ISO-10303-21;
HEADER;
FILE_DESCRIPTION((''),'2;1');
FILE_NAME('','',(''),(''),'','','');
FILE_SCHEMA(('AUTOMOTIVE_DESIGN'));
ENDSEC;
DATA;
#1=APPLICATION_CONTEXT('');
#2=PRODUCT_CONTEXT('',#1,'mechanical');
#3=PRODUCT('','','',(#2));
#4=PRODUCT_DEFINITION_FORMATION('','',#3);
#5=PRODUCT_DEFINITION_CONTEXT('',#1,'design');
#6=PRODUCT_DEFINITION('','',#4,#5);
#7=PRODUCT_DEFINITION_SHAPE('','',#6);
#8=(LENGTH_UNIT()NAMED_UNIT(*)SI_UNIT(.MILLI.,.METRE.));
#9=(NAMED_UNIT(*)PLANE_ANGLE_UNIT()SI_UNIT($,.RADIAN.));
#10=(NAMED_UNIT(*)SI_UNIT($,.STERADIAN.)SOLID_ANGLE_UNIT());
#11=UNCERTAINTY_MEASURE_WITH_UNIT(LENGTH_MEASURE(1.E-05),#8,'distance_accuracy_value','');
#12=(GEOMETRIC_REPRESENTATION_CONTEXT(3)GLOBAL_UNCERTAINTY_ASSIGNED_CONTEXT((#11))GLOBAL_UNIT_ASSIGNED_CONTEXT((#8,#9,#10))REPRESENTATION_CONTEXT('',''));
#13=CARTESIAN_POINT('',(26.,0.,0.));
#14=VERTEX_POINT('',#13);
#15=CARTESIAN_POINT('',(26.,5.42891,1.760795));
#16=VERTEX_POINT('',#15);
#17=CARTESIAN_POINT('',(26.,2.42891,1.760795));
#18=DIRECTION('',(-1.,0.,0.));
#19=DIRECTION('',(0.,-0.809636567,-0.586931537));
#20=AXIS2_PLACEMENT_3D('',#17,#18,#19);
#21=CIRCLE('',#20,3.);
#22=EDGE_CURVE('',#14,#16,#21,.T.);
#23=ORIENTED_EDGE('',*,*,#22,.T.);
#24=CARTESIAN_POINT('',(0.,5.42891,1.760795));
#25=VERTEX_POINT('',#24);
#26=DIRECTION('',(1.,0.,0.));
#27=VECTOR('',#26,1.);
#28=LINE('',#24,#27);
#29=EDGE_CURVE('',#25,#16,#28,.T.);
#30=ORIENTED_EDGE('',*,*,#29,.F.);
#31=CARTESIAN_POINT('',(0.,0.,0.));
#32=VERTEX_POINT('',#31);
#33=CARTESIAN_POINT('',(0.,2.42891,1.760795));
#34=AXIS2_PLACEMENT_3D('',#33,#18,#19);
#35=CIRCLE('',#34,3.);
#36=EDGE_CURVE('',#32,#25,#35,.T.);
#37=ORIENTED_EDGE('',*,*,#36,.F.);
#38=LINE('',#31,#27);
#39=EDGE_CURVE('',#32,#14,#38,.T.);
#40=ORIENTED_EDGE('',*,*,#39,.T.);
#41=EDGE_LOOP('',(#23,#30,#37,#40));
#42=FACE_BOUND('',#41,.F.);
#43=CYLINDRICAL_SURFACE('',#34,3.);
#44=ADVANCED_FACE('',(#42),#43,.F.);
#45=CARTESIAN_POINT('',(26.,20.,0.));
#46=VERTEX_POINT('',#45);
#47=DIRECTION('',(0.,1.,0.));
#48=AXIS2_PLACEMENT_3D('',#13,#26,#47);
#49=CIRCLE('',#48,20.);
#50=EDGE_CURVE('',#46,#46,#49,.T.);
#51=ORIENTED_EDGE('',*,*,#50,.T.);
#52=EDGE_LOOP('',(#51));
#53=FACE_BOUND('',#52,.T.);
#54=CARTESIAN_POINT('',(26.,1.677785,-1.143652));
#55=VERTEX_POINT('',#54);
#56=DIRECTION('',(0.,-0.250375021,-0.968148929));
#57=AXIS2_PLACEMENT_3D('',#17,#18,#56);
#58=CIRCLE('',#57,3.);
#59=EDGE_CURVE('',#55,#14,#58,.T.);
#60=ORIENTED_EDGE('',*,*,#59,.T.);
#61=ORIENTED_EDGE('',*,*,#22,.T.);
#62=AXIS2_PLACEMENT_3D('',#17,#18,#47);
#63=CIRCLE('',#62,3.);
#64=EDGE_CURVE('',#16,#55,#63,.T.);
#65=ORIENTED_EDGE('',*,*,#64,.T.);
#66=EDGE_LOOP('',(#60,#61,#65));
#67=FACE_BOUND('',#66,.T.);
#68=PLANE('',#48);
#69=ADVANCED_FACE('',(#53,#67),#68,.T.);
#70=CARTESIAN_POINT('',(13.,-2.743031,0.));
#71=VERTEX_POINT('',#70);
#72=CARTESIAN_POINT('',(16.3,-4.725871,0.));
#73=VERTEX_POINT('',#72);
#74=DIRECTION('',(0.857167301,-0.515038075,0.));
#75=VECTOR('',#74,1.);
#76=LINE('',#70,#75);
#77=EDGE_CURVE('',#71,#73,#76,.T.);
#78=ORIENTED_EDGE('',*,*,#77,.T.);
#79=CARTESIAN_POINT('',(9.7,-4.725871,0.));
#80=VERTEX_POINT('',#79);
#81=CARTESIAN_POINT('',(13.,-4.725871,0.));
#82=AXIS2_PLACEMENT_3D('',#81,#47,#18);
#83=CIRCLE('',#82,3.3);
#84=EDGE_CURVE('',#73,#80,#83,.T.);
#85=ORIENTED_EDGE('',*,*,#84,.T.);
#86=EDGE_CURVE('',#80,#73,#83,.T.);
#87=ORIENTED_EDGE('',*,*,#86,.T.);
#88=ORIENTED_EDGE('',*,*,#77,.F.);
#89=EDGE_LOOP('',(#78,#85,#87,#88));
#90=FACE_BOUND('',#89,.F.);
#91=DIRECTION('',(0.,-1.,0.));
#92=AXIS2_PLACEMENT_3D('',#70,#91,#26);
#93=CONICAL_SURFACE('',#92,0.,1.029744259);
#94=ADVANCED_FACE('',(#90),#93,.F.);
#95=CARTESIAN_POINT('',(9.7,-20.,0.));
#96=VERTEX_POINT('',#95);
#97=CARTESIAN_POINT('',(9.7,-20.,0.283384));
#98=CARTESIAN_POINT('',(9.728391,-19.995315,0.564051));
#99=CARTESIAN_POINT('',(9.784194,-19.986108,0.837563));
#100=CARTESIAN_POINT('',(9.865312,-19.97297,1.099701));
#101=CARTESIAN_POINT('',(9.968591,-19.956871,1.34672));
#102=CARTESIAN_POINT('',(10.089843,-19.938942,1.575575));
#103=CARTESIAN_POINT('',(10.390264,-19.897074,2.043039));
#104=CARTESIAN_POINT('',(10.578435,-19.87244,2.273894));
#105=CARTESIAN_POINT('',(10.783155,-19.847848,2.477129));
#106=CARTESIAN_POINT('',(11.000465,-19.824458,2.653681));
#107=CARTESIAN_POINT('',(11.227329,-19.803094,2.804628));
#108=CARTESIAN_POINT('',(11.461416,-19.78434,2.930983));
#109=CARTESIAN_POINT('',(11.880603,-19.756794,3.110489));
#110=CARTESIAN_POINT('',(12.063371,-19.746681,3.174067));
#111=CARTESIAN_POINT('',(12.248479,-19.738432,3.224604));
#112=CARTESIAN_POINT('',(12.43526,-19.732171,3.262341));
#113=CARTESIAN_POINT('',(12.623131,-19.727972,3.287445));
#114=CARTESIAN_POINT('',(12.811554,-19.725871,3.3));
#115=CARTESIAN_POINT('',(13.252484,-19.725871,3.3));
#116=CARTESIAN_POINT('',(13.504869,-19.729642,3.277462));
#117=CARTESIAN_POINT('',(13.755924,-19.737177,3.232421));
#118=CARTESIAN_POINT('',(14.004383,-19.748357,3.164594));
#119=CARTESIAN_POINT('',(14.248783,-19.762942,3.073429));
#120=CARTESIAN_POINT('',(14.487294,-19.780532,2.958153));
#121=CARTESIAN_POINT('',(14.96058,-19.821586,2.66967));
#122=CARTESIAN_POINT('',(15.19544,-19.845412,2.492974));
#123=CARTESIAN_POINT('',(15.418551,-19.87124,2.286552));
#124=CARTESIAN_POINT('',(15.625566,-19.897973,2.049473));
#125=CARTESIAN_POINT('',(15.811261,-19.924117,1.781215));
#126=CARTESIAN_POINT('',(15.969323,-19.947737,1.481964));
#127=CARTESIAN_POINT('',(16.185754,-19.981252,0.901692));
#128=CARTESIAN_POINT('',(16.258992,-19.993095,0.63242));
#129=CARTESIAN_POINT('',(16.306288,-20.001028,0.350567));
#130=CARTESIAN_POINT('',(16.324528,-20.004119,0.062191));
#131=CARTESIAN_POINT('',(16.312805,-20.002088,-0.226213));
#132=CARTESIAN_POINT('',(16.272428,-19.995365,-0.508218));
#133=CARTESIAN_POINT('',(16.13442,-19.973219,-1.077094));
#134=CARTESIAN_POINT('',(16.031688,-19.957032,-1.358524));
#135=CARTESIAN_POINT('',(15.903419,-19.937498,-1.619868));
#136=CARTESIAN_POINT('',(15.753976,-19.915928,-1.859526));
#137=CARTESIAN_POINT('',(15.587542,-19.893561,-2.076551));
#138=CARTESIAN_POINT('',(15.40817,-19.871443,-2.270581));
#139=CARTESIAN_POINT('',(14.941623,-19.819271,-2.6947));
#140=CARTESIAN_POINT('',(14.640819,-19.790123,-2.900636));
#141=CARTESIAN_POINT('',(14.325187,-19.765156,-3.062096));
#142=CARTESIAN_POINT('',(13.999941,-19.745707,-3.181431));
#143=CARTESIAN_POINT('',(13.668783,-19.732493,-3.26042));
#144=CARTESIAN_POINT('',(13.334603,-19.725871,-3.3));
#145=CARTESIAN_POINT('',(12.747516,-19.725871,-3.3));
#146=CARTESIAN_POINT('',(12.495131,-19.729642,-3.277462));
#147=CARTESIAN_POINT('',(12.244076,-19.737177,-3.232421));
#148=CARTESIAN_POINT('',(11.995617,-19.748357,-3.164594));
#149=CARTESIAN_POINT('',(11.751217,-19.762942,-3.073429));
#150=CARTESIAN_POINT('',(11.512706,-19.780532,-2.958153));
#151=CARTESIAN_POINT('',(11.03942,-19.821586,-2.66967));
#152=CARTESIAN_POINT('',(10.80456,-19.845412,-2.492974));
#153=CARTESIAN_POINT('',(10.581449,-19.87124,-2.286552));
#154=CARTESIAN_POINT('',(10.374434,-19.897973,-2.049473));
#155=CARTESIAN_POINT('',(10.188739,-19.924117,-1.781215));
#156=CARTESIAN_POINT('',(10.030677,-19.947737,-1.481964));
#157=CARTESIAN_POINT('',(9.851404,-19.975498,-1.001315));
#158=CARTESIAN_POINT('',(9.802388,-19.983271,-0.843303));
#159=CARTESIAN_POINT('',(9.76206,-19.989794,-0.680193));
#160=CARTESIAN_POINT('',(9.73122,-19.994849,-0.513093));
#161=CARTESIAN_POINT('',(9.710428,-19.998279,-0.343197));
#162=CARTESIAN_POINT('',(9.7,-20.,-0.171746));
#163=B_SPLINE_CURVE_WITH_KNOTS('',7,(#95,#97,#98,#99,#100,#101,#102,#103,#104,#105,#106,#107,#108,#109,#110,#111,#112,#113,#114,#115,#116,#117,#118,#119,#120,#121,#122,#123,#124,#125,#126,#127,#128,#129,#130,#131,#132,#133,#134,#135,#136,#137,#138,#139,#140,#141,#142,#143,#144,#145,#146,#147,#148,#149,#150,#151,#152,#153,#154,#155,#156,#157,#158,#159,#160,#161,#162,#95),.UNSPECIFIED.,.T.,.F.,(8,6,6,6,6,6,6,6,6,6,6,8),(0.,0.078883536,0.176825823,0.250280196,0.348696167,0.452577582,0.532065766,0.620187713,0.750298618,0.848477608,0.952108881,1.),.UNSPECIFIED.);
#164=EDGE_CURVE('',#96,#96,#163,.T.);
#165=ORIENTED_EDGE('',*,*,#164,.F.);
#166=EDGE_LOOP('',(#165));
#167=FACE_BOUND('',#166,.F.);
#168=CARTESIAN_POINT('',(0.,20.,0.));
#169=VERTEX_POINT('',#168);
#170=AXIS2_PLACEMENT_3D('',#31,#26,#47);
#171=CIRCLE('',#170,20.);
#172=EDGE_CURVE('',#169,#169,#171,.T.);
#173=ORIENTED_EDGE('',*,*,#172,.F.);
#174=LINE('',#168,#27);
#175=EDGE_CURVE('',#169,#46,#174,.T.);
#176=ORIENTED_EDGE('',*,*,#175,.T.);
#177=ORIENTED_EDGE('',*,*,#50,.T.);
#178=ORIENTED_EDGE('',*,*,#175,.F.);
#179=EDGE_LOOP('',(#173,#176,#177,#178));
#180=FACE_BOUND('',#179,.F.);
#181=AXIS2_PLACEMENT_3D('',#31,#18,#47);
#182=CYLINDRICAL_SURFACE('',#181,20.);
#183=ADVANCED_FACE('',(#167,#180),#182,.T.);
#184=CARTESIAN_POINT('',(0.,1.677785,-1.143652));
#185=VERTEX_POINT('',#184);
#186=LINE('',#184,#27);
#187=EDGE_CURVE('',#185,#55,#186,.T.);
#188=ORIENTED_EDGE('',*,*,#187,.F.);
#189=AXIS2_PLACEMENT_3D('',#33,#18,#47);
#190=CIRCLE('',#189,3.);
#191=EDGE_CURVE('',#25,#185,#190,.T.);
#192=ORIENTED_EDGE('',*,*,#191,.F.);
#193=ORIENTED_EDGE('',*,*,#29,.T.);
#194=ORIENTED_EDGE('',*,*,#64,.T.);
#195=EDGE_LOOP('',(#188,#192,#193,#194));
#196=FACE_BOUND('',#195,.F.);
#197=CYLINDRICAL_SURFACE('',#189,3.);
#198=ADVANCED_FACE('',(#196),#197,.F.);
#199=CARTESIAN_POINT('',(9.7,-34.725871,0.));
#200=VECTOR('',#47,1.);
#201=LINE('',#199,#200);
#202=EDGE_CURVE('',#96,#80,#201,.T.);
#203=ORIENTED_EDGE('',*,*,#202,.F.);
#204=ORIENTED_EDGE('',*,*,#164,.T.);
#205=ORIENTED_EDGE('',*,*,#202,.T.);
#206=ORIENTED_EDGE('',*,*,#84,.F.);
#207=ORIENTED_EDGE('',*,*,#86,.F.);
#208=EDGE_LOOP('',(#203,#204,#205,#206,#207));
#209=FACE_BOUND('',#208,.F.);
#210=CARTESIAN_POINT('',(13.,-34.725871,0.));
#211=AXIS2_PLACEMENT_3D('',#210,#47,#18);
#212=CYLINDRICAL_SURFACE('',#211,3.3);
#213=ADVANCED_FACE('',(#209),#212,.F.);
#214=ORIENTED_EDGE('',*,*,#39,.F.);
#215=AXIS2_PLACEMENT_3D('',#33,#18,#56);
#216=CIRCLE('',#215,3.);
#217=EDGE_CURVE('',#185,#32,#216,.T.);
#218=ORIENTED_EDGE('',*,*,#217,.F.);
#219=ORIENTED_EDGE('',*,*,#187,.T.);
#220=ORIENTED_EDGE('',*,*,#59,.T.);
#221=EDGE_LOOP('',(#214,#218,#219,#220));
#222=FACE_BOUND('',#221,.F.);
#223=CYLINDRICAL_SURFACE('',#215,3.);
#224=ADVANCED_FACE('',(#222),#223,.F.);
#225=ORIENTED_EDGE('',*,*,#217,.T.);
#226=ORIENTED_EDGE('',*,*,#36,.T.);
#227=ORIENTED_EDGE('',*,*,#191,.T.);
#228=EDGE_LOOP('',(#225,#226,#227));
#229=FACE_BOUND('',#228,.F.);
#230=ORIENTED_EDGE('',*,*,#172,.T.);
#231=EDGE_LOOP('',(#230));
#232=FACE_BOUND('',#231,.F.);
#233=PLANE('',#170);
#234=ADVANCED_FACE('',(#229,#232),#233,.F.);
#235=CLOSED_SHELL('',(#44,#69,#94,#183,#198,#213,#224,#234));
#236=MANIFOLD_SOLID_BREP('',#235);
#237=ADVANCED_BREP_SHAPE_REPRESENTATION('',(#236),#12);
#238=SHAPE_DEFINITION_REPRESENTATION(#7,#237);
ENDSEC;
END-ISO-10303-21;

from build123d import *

# Parameters (mm, degrees)
F1_DEPTH = 26
F4_D     = 6.6
F4_DEPTH = 15
F4_START = 0.2741288
F4_TIP   = 1.9828400428


with BuildPart() as f1:
    # F0 (on Right) → F1 (new body)
    with BuildSketch(Plane.YZ):
        with BuildLine():
            ThreePointArc((-20, 0), (0, -20), (20, 0))
            ThreePointArc((20, 0), (0, 20), (-20, 0))
        make_face()
        with BuildLine():
            ThreePointArc((1.6777846361, -1.1436521746), (0.7391936443, -0.7180881299), (0, 0))
            ThreePointArc((0, 0), (1.503363673, 4.6144527121), (5.4289097006, 1.7607946122))
            ThreePointArc((5.4289097006, 1.7607946122), (4.2655676446, -0.6112693828), (1.6777846361, -1.1436521746))
        make_face(mode=Mode.SUBTRACT)
    extrude(amount=F1_DEPTH)

    # F4
    # its depths count from where the whole tool has entered the part; down to there all is cleared
    with Locations(Plane.XZ.offset(20).offset(-F4_START)):
        with Locations((13, 0)):
            Hole(F4_D / 2, depth=F4_DEPTH)
            with Locations((0, 0, -(F4_DEPTH + F4_TIP / 2))):  # 118° drill point
                Cone(0, F4_D / 2, F4_TIP, mode=Mode.SUBTRACT)


solid = f1.part
